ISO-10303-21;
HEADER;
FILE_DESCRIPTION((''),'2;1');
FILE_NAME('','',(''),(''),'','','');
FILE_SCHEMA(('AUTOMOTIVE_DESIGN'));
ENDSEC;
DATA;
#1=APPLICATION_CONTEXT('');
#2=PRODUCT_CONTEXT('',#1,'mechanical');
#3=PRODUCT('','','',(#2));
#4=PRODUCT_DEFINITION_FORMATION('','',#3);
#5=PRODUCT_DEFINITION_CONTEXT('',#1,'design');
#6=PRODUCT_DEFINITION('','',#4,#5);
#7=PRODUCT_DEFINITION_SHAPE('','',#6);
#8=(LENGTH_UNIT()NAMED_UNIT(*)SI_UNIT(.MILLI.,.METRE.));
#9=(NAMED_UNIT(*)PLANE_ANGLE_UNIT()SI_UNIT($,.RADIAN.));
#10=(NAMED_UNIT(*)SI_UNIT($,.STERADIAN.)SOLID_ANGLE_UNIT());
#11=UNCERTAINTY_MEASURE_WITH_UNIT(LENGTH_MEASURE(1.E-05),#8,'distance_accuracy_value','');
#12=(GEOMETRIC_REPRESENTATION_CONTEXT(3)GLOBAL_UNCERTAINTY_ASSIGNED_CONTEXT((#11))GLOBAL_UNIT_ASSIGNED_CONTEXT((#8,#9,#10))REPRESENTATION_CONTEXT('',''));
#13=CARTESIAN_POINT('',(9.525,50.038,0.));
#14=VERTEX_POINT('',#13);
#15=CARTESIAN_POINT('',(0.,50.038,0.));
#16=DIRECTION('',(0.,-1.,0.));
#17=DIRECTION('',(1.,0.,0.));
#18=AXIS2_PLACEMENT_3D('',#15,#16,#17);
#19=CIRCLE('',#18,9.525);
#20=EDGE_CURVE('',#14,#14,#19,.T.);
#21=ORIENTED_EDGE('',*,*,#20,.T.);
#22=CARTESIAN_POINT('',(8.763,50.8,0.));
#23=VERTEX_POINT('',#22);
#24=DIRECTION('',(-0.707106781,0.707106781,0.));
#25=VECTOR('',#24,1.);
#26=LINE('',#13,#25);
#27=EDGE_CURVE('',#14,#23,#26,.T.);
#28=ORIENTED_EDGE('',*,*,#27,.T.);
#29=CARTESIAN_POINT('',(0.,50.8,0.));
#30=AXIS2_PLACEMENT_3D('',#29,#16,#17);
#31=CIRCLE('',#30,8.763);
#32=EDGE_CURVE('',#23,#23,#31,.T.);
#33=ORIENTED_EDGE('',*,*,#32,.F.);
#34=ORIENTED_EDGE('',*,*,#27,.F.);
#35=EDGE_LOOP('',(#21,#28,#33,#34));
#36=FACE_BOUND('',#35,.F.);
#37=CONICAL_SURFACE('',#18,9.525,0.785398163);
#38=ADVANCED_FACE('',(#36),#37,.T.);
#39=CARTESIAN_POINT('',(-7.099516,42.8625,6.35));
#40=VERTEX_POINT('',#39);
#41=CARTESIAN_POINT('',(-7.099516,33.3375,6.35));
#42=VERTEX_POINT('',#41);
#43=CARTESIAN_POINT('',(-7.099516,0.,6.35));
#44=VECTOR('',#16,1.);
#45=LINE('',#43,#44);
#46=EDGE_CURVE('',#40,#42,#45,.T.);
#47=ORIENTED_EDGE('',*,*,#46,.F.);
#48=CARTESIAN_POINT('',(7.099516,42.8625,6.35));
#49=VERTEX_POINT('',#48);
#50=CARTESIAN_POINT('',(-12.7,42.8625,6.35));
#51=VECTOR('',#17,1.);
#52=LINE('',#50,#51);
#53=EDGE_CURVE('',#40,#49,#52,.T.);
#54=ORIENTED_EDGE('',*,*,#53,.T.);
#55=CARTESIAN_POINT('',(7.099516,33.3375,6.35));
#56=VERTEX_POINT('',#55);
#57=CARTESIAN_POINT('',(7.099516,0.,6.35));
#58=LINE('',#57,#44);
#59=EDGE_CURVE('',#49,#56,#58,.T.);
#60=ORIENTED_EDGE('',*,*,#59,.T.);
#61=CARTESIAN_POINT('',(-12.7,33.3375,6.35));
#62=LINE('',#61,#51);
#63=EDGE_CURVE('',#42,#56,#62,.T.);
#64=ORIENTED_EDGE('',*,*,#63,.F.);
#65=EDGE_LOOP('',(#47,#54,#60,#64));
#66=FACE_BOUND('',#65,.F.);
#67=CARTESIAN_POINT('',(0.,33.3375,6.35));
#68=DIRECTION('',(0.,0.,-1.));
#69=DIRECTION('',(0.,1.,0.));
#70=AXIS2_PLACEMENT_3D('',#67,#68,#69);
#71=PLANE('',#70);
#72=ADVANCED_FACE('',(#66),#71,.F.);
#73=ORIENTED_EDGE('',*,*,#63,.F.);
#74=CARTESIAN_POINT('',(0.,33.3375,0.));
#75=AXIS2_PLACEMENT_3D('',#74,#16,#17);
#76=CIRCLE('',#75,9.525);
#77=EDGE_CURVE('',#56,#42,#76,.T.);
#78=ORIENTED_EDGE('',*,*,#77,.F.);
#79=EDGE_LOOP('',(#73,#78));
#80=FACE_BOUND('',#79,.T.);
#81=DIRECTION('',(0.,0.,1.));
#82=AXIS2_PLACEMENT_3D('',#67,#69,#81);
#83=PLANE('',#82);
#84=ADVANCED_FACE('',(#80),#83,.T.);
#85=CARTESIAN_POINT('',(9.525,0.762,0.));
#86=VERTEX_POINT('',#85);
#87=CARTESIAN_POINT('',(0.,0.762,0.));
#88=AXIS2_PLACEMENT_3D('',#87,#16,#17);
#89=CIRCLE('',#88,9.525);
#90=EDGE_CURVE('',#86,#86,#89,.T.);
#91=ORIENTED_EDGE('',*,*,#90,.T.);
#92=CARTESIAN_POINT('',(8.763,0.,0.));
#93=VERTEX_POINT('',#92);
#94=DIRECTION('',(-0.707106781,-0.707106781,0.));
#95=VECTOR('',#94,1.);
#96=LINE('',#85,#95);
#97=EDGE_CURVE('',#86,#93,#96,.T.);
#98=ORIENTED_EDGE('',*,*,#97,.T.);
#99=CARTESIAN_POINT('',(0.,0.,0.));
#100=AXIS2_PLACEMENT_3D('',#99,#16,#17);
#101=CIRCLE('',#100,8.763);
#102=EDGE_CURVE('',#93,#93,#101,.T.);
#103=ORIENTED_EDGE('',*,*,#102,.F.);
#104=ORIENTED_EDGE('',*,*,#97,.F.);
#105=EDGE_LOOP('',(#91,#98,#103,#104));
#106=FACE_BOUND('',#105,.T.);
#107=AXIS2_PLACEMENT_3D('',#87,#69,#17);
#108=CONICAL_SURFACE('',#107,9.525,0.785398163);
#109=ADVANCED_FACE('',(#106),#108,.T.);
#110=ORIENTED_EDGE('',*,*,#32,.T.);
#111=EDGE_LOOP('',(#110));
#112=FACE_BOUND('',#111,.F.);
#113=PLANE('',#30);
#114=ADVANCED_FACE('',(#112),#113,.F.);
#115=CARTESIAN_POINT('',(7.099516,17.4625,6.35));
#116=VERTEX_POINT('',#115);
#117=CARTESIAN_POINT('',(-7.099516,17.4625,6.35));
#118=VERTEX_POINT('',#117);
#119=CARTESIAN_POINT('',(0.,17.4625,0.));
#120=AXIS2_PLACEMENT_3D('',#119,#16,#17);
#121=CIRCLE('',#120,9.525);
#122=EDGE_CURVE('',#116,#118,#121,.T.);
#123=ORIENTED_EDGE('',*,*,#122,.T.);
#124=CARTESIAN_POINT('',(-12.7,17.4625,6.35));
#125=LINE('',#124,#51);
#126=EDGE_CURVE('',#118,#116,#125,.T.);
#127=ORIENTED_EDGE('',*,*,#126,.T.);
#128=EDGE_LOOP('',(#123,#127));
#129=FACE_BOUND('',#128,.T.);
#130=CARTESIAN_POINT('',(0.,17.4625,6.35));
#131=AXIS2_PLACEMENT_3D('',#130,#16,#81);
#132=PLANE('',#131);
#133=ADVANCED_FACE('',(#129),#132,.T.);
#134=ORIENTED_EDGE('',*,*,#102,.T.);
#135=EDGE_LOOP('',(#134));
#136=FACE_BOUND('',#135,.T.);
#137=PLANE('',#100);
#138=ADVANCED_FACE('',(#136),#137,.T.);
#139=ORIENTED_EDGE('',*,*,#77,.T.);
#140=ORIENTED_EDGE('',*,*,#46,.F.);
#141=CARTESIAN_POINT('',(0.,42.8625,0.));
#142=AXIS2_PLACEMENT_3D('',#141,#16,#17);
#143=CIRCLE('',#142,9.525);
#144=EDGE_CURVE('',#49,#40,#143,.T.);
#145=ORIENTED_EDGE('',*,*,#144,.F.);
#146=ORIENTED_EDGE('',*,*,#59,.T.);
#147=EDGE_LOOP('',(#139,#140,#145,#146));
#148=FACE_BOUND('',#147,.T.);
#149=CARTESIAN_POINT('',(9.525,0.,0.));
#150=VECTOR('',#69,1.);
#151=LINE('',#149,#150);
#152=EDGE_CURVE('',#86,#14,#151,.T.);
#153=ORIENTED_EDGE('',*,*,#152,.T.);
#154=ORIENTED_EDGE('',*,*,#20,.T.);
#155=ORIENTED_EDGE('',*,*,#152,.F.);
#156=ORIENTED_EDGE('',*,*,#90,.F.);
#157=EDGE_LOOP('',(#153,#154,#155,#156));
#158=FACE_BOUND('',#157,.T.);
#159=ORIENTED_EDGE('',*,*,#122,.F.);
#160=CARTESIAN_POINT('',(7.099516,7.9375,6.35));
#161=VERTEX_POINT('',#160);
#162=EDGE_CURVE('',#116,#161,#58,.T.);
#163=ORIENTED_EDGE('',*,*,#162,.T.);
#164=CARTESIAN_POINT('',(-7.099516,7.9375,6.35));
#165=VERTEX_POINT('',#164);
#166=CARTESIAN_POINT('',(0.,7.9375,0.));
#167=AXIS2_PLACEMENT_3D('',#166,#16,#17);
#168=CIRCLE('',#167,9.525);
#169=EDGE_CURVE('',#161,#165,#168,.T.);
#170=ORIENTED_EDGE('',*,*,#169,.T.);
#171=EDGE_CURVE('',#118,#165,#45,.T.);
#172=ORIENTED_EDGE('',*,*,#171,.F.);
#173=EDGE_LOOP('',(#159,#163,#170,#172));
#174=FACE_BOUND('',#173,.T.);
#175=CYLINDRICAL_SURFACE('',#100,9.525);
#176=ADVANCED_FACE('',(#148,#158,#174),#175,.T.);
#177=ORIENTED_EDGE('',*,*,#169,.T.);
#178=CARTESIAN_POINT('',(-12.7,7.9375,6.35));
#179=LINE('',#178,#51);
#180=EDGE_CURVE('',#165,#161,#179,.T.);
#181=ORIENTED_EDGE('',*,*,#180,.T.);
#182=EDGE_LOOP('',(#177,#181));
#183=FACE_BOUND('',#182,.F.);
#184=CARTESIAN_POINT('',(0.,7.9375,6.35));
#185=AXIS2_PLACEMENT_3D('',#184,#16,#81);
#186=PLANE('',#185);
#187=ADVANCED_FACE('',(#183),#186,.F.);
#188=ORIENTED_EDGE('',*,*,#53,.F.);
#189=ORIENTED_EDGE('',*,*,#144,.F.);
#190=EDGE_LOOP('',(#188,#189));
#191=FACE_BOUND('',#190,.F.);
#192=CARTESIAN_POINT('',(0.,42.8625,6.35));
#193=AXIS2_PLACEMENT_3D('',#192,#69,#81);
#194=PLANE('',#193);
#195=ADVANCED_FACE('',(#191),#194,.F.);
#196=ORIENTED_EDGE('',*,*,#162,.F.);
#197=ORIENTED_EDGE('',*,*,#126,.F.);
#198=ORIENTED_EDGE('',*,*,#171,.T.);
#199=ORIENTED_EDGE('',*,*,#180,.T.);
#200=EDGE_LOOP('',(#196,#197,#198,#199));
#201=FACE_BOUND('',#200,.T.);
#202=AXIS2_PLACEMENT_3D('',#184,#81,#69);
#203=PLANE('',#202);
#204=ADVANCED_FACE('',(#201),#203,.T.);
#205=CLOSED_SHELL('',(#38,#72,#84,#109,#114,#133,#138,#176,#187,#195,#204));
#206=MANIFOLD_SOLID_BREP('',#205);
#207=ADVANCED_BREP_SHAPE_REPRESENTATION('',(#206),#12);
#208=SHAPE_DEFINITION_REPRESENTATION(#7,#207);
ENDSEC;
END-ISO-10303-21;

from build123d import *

# Parameters (mm, degrees)
F0_R     = 9.525
F1_DEPTH = 50.8
F2_SIZE  = 0.762
F3_W     = 9.525
F3_H     = 5.747142
F4_DEPTH = 12.7


with BuildPart() as f1:
    # F0 (on Front) → F1 (new body)
    with BuildSketch(Plane.XZ):
        Circle(F0_R)
    extrude(amount=-F1_DEPTH)

    # F2
    f2_edges = [f1.edges().sort_by_distance(p)[0] for p in [
        (-9.525, 0, 0),
        (-9.525, 50.8, 0),
    ]]
    chamfer(f2_edges, length=F2_SIZE)

    # F3 (on Right) → F4 (cut, symmetric)
    with BuildSketch(Plane.YZ):
        with Locations((12.7, 9.223571)):
            Rectangle(F3_W, F3_H)
        with Locations((38.1, 9.223571)):
            Rectangle(F3_W, F3_H)
    extrude(amount=F4_DEPTH, both=True, mode=Mode.SUBTRACT)


solid = f1.part
